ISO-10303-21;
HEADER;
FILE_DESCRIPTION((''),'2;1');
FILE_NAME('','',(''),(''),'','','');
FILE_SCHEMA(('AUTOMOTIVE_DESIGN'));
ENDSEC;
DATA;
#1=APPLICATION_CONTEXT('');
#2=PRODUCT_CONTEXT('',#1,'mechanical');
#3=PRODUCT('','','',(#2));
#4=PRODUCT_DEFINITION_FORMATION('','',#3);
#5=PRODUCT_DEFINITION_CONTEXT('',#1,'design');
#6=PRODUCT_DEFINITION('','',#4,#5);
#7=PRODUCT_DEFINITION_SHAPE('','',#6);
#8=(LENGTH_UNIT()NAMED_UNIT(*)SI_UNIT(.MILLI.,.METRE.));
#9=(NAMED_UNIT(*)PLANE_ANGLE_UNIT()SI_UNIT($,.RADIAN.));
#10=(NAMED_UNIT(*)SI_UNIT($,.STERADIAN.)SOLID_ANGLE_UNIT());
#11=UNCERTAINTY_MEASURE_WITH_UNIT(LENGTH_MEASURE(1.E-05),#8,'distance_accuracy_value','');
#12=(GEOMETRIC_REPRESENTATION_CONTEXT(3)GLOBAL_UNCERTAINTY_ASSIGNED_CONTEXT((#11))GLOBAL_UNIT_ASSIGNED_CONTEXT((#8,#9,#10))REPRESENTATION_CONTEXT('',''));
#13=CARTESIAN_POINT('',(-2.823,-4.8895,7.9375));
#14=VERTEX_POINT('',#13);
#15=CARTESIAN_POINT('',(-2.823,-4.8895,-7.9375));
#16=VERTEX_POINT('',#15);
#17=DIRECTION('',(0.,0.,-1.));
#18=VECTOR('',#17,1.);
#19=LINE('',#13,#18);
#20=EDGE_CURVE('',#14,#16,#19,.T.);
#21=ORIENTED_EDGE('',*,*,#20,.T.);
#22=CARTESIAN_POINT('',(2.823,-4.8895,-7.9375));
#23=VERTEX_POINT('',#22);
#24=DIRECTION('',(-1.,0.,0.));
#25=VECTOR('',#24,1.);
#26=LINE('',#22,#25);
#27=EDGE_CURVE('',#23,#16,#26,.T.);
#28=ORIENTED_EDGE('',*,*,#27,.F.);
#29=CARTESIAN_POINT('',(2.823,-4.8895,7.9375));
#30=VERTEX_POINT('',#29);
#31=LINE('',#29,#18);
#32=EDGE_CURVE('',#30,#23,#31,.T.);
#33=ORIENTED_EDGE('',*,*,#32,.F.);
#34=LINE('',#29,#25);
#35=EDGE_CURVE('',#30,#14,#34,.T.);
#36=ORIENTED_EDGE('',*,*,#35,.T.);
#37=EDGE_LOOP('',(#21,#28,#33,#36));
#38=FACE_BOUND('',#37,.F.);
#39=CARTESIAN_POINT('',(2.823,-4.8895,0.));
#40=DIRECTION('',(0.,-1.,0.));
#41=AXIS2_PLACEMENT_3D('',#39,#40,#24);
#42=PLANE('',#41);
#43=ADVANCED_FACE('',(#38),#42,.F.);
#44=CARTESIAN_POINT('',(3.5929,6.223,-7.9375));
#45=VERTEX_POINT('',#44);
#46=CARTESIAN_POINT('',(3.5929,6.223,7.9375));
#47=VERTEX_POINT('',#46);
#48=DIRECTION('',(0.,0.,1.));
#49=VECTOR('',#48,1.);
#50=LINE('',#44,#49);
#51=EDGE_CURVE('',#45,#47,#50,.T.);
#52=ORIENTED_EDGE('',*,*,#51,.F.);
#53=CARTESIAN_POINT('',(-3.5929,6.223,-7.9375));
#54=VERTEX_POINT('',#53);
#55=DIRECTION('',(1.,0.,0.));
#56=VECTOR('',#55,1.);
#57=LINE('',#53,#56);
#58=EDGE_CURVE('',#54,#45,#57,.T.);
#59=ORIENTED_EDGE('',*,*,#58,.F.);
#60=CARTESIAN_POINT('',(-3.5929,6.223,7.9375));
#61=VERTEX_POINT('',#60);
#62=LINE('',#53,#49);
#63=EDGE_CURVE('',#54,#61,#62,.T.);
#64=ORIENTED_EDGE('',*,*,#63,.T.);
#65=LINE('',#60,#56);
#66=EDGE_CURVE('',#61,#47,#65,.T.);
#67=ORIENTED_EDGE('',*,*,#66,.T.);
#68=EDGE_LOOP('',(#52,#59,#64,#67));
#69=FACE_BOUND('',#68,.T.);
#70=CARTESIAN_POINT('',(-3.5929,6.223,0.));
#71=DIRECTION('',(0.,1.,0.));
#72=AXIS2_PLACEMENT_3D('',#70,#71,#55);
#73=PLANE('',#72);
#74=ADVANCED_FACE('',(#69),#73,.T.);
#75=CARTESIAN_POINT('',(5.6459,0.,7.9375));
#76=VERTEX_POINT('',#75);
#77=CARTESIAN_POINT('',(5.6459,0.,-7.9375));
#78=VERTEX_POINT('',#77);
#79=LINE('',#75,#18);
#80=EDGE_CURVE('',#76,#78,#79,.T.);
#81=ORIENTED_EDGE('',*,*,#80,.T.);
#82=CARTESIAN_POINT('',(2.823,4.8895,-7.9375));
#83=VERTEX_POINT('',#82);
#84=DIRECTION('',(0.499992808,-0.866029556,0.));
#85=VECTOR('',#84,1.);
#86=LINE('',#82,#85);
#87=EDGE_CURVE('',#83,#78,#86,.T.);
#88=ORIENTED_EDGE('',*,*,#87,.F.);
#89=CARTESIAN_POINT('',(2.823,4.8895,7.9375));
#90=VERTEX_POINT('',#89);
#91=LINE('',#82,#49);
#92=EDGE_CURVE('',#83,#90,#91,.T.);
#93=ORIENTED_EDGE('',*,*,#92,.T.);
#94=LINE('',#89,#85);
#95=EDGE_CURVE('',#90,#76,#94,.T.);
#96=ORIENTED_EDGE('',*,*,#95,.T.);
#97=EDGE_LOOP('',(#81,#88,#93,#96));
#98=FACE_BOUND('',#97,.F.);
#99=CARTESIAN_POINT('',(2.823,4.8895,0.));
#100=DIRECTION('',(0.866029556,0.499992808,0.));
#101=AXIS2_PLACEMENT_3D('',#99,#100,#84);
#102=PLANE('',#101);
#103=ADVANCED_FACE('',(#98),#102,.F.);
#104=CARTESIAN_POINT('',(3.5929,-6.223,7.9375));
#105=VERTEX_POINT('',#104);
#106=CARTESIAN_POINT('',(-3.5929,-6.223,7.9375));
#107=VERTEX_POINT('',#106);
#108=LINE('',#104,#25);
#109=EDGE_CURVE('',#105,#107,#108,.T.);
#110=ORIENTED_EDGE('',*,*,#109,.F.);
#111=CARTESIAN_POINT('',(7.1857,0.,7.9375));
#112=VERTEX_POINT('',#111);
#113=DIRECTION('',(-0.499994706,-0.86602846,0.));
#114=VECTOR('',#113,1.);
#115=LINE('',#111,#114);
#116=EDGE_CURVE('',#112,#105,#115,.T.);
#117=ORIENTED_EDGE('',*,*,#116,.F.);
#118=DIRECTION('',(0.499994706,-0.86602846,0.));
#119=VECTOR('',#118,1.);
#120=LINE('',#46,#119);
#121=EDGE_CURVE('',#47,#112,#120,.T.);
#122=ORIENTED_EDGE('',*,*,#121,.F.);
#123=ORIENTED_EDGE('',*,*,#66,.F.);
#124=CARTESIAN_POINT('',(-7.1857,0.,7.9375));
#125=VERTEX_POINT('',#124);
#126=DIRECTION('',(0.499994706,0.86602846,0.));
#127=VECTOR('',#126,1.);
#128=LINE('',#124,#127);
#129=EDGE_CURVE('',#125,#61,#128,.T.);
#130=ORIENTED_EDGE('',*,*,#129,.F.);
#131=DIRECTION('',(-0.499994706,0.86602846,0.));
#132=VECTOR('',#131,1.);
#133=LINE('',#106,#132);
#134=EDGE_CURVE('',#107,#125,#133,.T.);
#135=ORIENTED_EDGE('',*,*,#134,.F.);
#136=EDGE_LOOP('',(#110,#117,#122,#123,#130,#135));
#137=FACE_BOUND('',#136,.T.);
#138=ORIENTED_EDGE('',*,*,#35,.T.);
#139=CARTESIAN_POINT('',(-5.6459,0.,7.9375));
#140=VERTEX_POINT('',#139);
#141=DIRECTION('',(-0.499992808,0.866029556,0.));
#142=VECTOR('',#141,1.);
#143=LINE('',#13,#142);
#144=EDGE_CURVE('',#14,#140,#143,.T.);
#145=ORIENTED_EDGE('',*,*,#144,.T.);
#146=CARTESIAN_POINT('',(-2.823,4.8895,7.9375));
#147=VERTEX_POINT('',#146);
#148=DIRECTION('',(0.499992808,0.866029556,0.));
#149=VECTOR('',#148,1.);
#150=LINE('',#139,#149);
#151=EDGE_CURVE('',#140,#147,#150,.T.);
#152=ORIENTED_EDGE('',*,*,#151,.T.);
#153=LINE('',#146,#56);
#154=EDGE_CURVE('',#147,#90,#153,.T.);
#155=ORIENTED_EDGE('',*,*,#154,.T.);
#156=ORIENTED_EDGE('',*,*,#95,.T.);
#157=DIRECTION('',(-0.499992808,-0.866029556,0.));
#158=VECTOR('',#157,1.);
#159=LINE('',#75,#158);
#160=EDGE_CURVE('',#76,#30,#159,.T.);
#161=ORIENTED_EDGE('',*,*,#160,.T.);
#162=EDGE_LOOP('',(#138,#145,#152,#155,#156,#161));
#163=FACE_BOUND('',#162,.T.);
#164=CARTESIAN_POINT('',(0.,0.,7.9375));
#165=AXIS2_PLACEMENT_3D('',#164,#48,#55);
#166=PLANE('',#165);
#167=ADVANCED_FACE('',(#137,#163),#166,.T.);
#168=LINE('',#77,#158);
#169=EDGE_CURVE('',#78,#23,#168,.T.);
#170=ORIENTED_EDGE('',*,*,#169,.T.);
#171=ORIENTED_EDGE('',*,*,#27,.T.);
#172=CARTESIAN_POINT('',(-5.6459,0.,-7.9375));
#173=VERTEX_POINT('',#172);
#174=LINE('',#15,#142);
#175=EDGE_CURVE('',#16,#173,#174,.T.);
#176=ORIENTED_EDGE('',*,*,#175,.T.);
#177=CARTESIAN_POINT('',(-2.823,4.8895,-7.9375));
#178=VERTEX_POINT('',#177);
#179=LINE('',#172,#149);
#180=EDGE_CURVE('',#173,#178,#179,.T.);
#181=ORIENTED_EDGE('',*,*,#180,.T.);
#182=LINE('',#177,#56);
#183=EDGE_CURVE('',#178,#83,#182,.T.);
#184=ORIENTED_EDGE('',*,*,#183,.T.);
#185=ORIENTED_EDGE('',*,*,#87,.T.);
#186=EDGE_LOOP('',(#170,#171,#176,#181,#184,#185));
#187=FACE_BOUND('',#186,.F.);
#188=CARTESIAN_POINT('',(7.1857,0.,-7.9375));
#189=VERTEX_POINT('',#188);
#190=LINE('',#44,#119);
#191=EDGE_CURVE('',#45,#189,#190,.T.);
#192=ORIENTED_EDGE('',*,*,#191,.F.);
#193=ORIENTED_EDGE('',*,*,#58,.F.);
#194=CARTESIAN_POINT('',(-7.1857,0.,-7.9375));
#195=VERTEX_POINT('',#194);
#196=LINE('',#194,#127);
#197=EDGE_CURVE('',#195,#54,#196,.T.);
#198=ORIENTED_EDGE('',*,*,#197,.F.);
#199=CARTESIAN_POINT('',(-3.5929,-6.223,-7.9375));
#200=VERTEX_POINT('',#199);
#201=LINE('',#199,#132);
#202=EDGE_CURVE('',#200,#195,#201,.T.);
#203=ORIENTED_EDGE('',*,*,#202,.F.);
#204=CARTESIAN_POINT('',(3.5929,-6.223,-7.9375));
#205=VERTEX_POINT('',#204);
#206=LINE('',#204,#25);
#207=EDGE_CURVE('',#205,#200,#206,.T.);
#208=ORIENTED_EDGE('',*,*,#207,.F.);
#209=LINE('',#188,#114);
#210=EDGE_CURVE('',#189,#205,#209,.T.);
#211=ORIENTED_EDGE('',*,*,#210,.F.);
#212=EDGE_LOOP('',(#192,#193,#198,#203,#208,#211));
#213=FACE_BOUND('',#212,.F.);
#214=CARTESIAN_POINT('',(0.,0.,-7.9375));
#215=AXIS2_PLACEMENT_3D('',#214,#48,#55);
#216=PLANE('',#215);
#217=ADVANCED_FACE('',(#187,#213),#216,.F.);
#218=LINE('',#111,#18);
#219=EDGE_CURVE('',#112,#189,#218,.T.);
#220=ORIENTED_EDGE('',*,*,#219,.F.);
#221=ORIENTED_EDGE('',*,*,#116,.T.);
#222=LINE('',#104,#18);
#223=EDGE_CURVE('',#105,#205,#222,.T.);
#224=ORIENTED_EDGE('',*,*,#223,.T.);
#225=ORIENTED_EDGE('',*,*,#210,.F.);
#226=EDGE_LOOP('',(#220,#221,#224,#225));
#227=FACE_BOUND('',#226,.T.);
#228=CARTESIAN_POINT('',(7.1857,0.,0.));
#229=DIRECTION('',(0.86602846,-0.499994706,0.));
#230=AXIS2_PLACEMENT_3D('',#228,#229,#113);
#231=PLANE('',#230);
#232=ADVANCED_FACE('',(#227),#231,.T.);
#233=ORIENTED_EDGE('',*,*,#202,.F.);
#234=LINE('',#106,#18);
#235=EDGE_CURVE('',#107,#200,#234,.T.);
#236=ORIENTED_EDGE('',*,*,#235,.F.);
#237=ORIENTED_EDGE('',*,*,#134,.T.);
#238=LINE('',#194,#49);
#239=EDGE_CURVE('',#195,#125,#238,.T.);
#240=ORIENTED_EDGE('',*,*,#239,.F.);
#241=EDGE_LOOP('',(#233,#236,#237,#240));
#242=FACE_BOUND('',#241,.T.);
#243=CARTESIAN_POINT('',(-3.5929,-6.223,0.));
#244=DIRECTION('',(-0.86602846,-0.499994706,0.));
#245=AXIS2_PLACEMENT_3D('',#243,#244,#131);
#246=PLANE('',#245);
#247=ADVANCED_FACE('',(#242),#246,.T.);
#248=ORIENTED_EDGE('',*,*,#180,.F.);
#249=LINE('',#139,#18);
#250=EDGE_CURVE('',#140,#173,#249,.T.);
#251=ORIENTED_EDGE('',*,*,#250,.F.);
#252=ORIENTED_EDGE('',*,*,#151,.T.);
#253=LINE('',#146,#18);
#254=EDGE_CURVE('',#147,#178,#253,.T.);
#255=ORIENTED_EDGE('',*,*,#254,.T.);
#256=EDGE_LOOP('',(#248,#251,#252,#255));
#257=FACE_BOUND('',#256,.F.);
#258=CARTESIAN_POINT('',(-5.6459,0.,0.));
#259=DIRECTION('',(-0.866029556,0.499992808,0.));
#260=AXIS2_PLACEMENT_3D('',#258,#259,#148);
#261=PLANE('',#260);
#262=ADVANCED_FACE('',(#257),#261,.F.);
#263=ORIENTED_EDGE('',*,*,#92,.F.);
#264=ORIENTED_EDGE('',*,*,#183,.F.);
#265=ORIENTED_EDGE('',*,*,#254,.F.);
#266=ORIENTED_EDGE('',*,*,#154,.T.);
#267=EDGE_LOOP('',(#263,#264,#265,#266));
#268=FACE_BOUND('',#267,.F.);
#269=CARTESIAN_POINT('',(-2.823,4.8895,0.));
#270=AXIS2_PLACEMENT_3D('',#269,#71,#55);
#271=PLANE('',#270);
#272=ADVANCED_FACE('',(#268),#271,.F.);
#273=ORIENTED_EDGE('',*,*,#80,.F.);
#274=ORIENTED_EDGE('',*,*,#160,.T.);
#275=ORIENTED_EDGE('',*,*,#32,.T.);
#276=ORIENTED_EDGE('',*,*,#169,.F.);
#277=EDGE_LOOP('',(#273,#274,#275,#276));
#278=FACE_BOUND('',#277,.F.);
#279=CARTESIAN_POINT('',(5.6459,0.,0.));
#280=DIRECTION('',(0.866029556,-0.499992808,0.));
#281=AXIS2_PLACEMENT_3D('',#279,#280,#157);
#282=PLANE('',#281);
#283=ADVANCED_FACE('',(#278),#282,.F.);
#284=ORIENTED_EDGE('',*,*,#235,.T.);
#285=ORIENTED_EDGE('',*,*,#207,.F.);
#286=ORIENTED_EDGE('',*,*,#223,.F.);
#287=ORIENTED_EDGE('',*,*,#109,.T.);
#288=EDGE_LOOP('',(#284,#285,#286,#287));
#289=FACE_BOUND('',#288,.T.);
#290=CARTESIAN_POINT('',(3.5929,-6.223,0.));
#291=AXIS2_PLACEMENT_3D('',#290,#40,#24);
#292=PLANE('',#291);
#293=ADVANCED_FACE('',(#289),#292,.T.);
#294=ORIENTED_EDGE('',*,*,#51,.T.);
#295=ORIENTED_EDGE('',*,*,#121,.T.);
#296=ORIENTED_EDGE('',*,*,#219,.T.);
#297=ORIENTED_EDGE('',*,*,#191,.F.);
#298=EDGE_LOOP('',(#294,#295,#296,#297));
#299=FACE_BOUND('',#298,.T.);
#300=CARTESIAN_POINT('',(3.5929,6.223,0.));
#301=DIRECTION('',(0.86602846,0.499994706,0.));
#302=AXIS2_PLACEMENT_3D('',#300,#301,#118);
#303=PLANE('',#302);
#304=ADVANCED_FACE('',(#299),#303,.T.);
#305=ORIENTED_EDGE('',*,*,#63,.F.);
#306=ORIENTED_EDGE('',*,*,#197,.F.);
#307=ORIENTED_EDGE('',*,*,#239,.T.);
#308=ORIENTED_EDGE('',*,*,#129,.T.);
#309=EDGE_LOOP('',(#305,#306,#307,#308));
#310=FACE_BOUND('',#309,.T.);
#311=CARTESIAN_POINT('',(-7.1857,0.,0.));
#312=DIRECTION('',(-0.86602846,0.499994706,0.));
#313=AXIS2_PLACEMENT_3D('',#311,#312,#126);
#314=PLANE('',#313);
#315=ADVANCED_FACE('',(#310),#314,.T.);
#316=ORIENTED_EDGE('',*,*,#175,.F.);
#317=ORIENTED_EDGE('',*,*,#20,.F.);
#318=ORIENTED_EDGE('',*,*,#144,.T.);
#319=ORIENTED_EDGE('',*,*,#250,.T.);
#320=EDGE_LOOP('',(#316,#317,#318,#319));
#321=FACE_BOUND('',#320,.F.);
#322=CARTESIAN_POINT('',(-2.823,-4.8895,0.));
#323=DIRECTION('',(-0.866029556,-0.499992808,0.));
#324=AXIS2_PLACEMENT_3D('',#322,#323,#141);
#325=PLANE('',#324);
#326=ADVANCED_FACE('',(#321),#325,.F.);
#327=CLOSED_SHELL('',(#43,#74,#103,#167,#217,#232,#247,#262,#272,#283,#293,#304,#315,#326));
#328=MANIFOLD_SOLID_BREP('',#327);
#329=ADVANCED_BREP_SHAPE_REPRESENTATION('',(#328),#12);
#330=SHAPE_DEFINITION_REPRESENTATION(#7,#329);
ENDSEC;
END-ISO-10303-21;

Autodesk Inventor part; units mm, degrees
ref_plane "YZ Plane" through (0, 0, 0) normal (1, 0, 0) x (0, 1, 0)
ref_plane "XZ Plane" through (0, 0, 0) normal (0, 1, 0) x (-1, 0, 0)
ref_plane "XY Plane" through (0, 0, 0) normal (0, 0, 1) x (1, 0, 0)
sketch "Sketch1" plane through (0, 0, 0) normal (0, 0, 1) x (1, 0, 0)
  line L0 (3.5929, 6.223) -> (7.1857, 0)
  line L1 (7.1857, 0) -> (3.5929, -6.223)
  line L2 (3.5929, -6.223) -> (-3.5929, -6.223)
  line L3 (-3.5929, -6.223) -> (-7.1857, 0)
  line L4 (-7.1857, 0) -> (-3.5929, 6.223)
  line L5 (-3.5929, 6.223) -> (3.5929, 6.223)
  line L6 (2.823, 4.8895) -> (5.6459, 0)
  line L7 (5.6459, 0) -> (2.823, -4.8895)
  line L8 (2.823, -4.8895) -> (-2.823, -4.8895)
  line L9 (-2.823, -4.8895) -> (-5.6459, 0)
  line L10 (-5.6459, 0) -> (-2.823, 4.8895)
  line L11 (-2.823, 4.8895) -> (2.823, 4.8895)
  point P0 (0, 0)
  point P1 (0, 0)
  point P2 (0, 0)
  dimension "d0" = 12.446
  dimension "d1" = 9.779
extrude "Extrusion1" add sketch "Sketch1" along normal mid plane 15.875
properties part number "1-2 TO 3-8 ADAPTER" material "ABS Plastic"
